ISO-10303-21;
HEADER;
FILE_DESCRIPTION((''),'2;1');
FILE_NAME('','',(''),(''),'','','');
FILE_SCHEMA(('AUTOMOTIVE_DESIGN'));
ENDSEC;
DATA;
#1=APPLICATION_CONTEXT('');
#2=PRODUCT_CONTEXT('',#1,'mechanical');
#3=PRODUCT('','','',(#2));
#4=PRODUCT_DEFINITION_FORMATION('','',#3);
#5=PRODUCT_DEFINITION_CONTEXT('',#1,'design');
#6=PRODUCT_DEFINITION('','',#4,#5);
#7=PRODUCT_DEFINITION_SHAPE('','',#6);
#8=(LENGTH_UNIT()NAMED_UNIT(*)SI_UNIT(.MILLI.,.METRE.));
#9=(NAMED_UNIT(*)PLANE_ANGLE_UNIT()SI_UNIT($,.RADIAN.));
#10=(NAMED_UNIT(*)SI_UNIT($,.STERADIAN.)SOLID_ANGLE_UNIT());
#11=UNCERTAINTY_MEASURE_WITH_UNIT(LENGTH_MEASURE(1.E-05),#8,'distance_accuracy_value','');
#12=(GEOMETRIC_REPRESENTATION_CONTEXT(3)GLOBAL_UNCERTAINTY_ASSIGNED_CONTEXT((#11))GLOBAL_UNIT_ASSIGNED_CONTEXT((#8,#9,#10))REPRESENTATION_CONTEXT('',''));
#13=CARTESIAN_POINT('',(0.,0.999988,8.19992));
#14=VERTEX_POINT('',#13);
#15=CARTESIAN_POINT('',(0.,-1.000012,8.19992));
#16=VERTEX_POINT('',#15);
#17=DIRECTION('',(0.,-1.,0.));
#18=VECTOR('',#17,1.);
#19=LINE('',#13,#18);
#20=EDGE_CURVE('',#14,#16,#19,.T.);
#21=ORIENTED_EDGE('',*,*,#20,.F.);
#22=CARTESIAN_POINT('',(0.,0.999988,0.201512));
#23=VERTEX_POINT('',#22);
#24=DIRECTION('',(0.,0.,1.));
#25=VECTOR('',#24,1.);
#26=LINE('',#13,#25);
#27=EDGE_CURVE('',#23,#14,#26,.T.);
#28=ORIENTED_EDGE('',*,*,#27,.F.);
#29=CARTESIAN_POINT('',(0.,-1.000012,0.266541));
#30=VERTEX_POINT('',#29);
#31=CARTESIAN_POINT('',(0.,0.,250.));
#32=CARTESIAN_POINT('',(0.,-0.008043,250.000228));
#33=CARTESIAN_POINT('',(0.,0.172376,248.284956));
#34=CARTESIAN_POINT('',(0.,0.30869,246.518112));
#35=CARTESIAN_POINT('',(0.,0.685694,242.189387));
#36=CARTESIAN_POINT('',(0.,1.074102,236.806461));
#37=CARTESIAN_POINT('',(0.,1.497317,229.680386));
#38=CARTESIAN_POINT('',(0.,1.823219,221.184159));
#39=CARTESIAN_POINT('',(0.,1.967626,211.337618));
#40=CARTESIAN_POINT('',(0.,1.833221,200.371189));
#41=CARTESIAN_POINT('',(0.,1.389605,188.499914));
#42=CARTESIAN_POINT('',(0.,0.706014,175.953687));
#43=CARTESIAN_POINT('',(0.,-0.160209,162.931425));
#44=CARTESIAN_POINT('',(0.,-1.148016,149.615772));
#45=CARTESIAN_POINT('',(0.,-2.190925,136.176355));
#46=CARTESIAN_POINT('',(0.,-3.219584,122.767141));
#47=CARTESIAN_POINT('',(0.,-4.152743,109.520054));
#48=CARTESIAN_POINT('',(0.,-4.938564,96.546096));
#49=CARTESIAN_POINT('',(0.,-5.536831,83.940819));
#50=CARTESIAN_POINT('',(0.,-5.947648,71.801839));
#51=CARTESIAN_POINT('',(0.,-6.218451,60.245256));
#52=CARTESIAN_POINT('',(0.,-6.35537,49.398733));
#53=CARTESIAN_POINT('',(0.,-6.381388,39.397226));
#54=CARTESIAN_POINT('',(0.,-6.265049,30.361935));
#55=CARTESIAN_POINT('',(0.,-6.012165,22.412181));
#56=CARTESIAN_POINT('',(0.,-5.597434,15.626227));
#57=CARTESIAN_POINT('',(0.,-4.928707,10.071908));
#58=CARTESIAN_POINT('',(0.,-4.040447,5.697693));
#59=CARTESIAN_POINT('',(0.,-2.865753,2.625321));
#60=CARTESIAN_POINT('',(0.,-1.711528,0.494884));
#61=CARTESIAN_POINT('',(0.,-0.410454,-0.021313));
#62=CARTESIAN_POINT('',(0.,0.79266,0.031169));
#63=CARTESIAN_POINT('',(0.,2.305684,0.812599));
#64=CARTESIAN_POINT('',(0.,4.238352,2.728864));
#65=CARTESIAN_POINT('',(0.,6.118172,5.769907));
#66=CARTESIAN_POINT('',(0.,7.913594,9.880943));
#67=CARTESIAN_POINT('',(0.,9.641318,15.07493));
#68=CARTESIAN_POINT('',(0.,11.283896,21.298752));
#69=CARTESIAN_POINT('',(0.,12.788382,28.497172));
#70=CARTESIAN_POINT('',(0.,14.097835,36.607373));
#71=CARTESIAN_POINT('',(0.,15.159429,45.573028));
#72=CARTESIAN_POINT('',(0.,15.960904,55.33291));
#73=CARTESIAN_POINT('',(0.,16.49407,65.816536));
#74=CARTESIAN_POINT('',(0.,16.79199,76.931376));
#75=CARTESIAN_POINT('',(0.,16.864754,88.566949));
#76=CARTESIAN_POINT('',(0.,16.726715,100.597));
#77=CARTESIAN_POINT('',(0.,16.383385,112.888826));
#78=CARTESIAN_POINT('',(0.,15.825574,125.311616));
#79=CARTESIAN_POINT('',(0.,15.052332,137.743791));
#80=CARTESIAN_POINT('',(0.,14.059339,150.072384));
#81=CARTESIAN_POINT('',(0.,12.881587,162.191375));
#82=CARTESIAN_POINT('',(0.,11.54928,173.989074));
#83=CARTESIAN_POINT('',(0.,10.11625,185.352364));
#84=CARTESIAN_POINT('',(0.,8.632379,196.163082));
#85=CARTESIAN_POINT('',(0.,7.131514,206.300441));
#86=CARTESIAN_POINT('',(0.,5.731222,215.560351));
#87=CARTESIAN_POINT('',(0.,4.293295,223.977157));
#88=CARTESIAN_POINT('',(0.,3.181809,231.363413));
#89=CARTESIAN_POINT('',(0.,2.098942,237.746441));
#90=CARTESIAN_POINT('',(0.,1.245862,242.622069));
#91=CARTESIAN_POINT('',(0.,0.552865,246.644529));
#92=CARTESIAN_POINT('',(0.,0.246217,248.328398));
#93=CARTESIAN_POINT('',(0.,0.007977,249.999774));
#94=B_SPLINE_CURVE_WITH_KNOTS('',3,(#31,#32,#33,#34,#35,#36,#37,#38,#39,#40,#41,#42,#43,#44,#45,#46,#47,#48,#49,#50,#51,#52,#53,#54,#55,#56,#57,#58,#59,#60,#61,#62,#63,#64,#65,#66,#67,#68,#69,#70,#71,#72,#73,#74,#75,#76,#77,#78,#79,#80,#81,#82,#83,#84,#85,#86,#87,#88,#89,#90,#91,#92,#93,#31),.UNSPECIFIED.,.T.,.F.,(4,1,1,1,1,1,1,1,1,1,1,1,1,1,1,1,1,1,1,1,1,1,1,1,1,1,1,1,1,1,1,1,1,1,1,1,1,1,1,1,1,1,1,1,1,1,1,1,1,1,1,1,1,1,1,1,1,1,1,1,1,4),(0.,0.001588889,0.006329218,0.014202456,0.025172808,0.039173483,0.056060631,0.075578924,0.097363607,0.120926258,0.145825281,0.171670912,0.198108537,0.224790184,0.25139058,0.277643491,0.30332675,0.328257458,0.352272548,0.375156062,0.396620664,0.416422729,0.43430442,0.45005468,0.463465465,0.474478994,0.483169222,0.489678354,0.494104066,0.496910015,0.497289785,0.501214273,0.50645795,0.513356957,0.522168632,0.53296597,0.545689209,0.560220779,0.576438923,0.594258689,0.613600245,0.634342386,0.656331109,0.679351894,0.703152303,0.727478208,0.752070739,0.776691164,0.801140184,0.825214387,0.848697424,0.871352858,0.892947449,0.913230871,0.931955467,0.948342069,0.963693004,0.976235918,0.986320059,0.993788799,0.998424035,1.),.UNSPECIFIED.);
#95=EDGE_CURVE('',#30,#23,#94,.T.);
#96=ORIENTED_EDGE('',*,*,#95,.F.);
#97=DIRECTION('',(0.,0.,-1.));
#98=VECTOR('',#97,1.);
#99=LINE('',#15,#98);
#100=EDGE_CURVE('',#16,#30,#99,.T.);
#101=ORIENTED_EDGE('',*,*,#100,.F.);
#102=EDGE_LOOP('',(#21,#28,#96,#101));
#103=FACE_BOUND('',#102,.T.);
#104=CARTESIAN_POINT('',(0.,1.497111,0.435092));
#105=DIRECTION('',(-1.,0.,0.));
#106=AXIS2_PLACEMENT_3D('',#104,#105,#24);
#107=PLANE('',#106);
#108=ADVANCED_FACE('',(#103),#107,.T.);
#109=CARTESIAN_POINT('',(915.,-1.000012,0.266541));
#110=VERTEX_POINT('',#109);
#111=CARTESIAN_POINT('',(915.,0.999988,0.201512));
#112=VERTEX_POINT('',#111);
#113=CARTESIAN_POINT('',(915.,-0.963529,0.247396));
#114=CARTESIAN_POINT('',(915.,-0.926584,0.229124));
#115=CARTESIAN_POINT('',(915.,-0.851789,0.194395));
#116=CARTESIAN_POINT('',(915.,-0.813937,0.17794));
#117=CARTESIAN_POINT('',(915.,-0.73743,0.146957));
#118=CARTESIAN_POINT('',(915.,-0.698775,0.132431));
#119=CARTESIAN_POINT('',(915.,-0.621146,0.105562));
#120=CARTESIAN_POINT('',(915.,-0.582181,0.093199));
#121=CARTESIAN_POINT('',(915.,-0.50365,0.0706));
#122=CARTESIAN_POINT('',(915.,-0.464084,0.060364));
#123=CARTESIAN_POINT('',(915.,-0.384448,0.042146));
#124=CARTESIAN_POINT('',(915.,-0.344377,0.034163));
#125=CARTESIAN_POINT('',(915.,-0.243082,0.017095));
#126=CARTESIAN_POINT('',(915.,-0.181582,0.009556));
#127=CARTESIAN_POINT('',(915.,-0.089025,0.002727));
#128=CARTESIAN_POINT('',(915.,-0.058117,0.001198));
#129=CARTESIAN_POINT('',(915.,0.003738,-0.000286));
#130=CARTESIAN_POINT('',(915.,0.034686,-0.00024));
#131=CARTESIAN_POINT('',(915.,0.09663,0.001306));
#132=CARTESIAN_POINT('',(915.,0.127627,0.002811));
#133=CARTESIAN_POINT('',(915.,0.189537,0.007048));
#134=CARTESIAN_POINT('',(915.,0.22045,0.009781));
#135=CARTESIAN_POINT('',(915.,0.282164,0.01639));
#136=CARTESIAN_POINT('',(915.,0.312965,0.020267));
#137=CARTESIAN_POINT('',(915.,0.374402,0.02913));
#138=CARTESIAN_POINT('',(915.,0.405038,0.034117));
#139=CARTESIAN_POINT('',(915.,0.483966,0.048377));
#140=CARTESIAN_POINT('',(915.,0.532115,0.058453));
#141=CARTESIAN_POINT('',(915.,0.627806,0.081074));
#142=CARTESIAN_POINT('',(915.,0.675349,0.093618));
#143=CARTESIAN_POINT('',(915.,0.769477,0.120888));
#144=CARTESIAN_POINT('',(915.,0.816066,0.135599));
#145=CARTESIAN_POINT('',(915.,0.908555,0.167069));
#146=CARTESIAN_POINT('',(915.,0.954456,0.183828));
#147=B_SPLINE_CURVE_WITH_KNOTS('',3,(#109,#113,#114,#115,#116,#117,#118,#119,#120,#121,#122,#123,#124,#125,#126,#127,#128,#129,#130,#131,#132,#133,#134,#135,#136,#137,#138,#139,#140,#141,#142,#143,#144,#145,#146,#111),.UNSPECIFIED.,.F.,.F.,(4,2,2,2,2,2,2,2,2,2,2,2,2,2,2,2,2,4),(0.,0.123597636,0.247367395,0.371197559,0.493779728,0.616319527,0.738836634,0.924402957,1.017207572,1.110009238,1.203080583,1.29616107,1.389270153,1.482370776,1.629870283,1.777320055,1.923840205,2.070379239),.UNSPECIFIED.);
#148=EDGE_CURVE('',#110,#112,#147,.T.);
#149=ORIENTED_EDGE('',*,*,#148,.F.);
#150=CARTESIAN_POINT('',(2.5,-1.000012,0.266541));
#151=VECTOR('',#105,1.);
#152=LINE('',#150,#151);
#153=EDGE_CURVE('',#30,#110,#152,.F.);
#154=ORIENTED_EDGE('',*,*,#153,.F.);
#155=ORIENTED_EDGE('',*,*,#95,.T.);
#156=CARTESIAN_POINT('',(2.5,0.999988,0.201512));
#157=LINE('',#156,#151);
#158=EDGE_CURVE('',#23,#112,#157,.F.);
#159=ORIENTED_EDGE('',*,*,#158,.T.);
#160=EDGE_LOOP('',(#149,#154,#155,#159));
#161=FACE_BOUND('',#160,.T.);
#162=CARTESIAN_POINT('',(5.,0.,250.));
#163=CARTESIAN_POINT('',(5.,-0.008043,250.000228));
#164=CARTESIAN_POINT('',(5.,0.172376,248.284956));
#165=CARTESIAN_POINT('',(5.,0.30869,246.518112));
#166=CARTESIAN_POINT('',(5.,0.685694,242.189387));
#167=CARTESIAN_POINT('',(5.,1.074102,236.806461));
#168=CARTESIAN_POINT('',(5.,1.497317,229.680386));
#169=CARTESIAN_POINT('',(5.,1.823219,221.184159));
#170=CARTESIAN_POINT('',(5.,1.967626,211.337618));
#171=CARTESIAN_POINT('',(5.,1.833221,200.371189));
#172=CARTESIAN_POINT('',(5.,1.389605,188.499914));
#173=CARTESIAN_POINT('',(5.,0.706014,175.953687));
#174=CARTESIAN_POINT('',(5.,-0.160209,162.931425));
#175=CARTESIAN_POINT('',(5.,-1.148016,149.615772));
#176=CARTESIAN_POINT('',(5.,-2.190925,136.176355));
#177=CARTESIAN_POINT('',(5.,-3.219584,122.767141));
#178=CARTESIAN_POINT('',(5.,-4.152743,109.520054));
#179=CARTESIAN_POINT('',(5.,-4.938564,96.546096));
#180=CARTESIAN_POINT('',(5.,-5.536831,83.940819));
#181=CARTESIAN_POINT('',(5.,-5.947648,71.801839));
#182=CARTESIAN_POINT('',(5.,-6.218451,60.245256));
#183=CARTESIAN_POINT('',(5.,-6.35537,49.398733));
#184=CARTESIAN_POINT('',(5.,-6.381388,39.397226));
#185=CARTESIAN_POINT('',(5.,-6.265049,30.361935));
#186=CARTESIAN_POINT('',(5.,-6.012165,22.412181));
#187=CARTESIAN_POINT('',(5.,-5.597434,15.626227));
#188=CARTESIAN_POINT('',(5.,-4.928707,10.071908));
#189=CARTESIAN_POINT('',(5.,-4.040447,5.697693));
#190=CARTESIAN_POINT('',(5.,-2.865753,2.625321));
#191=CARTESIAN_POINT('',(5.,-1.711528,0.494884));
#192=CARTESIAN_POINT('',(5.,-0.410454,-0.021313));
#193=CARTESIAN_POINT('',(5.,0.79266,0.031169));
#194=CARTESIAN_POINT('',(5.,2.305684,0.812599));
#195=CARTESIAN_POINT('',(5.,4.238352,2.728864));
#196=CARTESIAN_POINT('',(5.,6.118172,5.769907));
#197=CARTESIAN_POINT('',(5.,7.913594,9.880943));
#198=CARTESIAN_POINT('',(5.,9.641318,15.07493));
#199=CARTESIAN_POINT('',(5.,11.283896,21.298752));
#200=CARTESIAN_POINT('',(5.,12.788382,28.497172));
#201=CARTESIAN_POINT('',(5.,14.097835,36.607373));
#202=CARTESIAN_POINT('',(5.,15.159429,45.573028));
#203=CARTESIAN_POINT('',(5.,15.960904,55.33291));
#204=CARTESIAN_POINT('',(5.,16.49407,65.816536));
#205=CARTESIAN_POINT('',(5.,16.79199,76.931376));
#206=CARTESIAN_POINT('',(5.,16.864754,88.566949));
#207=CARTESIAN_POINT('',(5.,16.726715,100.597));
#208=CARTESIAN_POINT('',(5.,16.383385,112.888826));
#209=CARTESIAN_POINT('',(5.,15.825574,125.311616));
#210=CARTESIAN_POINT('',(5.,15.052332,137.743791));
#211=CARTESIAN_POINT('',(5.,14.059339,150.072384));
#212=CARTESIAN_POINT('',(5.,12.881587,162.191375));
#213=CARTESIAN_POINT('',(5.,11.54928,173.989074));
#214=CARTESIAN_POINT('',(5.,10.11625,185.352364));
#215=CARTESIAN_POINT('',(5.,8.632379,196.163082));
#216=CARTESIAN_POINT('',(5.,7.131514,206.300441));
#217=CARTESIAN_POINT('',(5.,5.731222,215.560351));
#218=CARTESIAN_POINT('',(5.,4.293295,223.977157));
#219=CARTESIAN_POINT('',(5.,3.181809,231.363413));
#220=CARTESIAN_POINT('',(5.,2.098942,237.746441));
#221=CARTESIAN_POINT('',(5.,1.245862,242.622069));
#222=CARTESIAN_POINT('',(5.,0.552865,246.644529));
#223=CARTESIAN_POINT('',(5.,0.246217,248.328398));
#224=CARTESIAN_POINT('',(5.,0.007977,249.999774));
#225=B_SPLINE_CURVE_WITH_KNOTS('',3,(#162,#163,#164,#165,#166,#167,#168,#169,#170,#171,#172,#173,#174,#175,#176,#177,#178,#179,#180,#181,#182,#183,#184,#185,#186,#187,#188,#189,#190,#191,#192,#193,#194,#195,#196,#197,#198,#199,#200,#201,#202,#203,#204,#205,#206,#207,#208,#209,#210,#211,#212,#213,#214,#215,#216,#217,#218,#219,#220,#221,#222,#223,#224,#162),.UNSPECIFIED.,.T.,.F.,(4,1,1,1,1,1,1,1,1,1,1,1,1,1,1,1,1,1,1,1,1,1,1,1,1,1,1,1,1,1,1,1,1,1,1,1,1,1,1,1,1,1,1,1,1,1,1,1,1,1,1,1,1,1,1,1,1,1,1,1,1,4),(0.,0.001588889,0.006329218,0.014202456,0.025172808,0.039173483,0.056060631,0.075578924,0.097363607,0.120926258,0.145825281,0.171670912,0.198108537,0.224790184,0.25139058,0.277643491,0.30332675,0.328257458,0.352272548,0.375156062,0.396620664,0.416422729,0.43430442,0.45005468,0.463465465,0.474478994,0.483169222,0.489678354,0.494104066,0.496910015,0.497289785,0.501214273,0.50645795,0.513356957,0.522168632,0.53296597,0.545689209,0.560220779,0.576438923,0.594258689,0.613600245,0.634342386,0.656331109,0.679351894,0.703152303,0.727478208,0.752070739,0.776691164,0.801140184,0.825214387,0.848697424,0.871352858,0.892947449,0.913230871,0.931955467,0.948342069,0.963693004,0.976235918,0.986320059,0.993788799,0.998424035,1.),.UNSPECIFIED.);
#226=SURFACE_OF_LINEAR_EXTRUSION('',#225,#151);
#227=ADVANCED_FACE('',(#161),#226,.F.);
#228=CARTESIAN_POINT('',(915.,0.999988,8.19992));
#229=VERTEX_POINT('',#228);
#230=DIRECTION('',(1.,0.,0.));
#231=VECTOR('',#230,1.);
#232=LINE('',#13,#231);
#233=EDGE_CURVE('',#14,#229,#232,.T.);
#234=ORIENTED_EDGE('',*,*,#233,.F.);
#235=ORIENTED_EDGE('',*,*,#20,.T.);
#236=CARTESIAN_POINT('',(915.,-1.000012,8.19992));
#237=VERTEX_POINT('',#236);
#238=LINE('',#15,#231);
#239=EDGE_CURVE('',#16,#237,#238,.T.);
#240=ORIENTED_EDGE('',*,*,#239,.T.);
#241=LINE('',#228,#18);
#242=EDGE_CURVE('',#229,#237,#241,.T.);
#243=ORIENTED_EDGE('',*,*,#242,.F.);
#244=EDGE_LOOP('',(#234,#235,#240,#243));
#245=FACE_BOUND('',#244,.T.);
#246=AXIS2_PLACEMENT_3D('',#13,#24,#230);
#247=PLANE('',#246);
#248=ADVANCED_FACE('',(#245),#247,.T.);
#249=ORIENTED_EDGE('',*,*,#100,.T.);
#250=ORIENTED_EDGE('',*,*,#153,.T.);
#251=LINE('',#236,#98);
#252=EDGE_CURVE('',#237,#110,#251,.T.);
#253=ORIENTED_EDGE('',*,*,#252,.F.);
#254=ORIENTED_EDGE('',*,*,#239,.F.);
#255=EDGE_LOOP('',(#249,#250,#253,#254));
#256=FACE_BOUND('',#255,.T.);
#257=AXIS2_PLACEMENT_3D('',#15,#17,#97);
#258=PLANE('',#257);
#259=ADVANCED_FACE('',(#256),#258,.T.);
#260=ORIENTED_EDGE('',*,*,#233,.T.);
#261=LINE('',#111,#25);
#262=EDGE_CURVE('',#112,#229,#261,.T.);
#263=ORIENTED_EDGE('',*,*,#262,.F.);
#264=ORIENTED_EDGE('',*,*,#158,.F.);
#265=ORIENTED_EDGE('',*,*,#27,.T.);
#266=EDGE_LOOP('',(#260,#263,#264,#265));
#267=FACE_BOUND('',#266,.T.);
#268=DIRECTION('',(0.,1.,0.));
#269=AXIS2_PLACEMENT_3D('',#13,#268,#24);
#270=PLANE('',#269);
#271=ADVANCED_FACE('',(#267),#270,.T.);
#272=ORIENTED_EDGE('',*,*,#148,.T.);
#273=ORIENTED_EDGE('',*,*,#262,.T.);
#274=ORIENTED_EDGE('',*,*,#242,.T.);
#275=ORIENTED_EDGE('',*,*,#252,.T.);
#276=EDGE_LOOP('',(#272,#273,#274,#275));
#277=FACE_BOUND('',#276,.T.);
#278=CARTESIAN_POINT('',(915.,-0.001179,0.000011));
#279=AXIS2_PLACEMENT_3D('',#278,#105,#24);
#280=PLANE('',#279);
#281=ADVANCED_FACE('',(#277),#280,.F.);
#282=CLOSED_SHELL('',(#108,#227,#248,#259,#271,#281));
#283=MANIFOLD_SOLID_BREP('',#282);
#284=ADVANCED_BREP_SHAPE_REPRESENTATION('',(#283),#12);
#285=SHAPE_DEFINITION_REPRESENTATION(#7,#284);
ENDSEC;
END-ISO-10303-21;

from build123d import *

# Parameters (mm, degrees)
SCHIZZO1_R                  = 8
SCHIZZO1_W                  = 15
SCHIZZO1_H                  = 10
CORPOCENTINA_DEPTH          = 5
RIMOZIONERETROCENTINA_DEPTH = 251.615874848
SCHIZZO3_W                  = 28.2
SCHIZZO3_H                  = 22
TAGLIOLISTELLO_DEPTH        = 14.677233346
ESTRUSIONELISTELLO_DEPTH    = 910


with BuildPart() as part:
    # Schizzo1 → CorpoCentina (new body)
    with BuildSketch(Plane(origin=(0, 0, 0), x_dir=(0, 0, -1), z_dir=(1, 0, 0))):
        with BuildLine():
            add(Edge.make_bspline(
                [(-250, 0), (-250.000228294, -0.008042796), (-248.284955516, 0.172375658), (-246.518112419, 0.308690015), (-242.189387343, 0.685693594), (-236.806461263, 1.074101529), (-229.680385952, 1.49731724), (-221.184158698, 1.823218603), (-211.337618208, 1.967626101), (-200.371188527, 1.833221056), (-188.499913622, 1.38960529), (-175.953687417, 0.706014078), (-162.931424918, -0.160208642), (-149.615771744, -1.148016327), (-136.176354995, -2.19092491), (-122.767140548, -3.219583979), (-109.520053587, -4.152743127), (-96.546095975, -4.938564365), (-83.940819302, -5.536830703), (-71.801839291, -5.947648205), (-60.245256003, -6.218450939), (-49.398732891, -6.355369756), (-39.397226194, -6.381387963), (-30.361934842, -6.26504923), (-22.412181103, -6.012164917), (-15.626227231, -5.597433901), (-10.071907511, -4.928706579), (-5.697692612, -4.040446981), (-2.625320639, -2.865752984), (-0.494884225, -1.71152847), (0.021312549, -0.410454231), (-0.0311692, 0.792659827), (-0.812599242, 2.305684337), (-2.728863517, 4.238352424), (-5.769907241, 6.118172121), (-9.880942804, 7.913594202), (-15.074930468, 9.641318178), (-21.298752222, 11.283896488), (-28.49717212, 12.788381759), (-36.607373406, 14.097834908), (-45.57302844, 15.159429017), (-55.332910074, 15.960903998), (-65.816536498, 16.494069738), (-76.93137626, 16.791989705), (-88.566949028, 16.864754131), (-100.596999886, 16.726715291), (-112.888825982, 16.383385064), (-125.311615819, 15.825573667), (-137.743791097, 15.05233187), (-150.072384382, 14.059339074), (-162.191375056, 12.881586986), (-173.989074322, 11.549280346), (-185.352364446, 10.116249729), (-196.163081698, 8.632379125), (-206.300441402, 7.131513884), (-215.560350587, 5.731221768), (-223.977157043, 4.293295127), (-231.363413336, 3.181808874), (-237.746440904, 2.098942417), (-242.622069366, 1.245861917), (-246.644529332, 0.552864946), (-248.32839844, 0.246216765), (-249.999773563, 0.007977377), (-250, 0)],
                knots=[0, 0, 0, 0, 0.001588889, 0.006329218, 0.014202456, 0.025172808, 0.039173483, 0.056060631, 0.075578924, 0.097363607, 0.120926258, 0.145825281, 0.171670912, 0.198108537, 0.224790184, 0.25139058, 0.277643491, 0.30332675, 0.328257458, 0.352272548, 0.375156062, 0.396620664, 0.416422729, 0.43430442, 0.45005468, 0.463465465, 0.474478994, 0.483169222, 0.489678354, 0.494104066, 0.496910015, 0.497289785, 0.501214273, 0.50645795, 0.513356957, 0.522168632, 0.53296597, 0.545689209, 0.560220779, 0.576438923, 0.594258689, 0.613600245, 0.634342386, 0.656331109, 0.679351894, 0.703152303, 0.727478208, 0.752070739, 0.776691164, 0.801140184, 0.825214387, 0.848697424, 0.871352858, 0.892947449, 0.913230871, 0.931955467, 0.948342069, 0.963693004, 0.976235918, 0.986320059, 0.993788799, 0.998424035, 1, 1, 1, 1], degree=3))
        make_face()
        with Locations((-62.499919709, 5.077322704)):
            Circle(SCHIZZO1_R, mode=Mode.SUBTRACT)
        with Locations((-85.999919709, 5.077322704)):
            Rectangle(SCHIZZO1_W, SCHIZZO1_H, mode=Mode.SUBTRACT)
    extrude(amount=CORPOCENTINA_DEPTH)

    # Schizzo2 → RimozioneRetroCentina (cut, through all)
    with BuildSketch(Plane.ZY):
        with BuildLine():
            Line((10, 7.878242661), (10, -4.848721342))
            add(Edge.make_bspline(
                [(10, -4.848721342), (11.738439481, -5.129194219), (15.73141108, -5.603862327), (22.412181103, -6.012164917), (30.361934842, -6.26504923), (39.397226194, -6.381387963), (49.398732891, -6.355369756), (60.245256003, -6.218450939), (71.801839291, -5.947648205), (83.940819302, -5.536830703), (96.546095975, -4.938564365), (109.520053587, -4.152743127), (122.767140548, -3.219583979), (136.176354995, -2.19092491), (149.615771744, -1.148016327), (162.931424918, -0.160208642), (175.953687417, 0.706014078), (188.499913622, 1.38960529), (200.371188527, 1.833221056), (211.337618208, 1.967626101), (221.184158698, 1.823218603), (229.680385952, 1.49731724), (236.806461263, 1.074101529), (242.189387343, 0.685693594), (246.518112419, 0.308690015), (248.284955516, 0.172375658), (250.427328458, -0.052966701), (248.32839844, 0.246216765), (246.644529332, 0.552864946), (242.622069366, 1.245861917), (237.746440904, 2.098942417), (231.363413336, 3.181808874), (223.977157043, 4.293295127), (215.560350587, 5.731221768), (206.300441402, 7.131513884), (196.163081698, 8.632379125), (185.352364446, 10.116249729), (173.989074322, 11.549280346), (162.191375056, 12.881586986), (150.072384382, 14.059339074), (137.743791097, 15.05233187), (125.311615819, 15.825573667), (112.888825982, 16.383385064), (100.596999886, 16.726715291), (88.566949028, 16.864754131), (76.93137626, 16.791989705), (65.816536498, 16.494069738), (55.332910074, 15.960903998), (45.57302844, 15.159429017), (36.607373406, 14.097834908), (28.49717212, 12.788381759), (21.298752222, 11.283896488), (15.214838321, 9.678242373), (11.571404485, 8.475558385), (10, 7.878242661)],
                knots=[0.526143721, 0.526143721, 0.526143721, 0.526143721, 0.536534535, 0.54994532, 0.56569558, 0.583577271, 0.603379336, 0.624843938, 0.647727452, 0.671742542, 0.69667325, 0.722356509, 0.74860942, 0.775209816, 0.801891463, 0.828329088, 0.854174719, 0.879073742, 0.902636393, 0.924421076, 0.943939369, 0.960826517, 0.974827192, 0.985797544, 0.993670782, 0.998411111, 1, 1.001575965, 1.006211201, 1.013679941, 1.023764082, 1.036306996, 1.051657931, 1.068044533, 1.086769129, 1.107052551, 1.128647142, 1.151302576, 1.174785613, 1.198859816, 1.223308836, 1.247929261, 1.272521792, 1.296847697, 1.320648106, 1.343668891, 1.365657614, 1.386399755, 1.405741311, 1.423561077, 1.439779221, 1.454310791, 1.46703403, 1.476975978, 1.476975978, 1.476975978, 1.476975978], degree=3))
        make_face()
    extrude(amount=-RIMOZIONERETROCENTINA_DEPTH, mode=Mode.SUBTRACT)

    # Schizzo3 → TaglioListello (cut, through all)
    with BuildSketch(Plane(origin=(5, 0, 0), x_dir=(0, 0, -1), z_dir=(1, 0, 0))):
        with Locations((-4.099919705, -1.2163e-05)):
            Rectangle(SCHIZZO3_W, SCHIZZO3_H)
        with BuildLine():
            Line((-8.199919705, 0.999987837), (-8.199919705, -1.000012163))
            Line((-8.199919705, -1.000012163), (-0.266541428, -1.000012163))
            add(Edge.make_bspline(
                [(-0.266541428, -1.000012163), (-0.103493894, -0.689338227), (0.015569485, -0.278797762), (-0.014332603, 0.406690484), (-0.10008233, 0.738824912), (-0.201511969, 0.999987837)],
                knots=[0.494882134, 0.494882134, 0.494882134, 0.494882134, 0.496910015, 0.497289785, 0.498933258, 0.498933258, 0.498933258, 0.498933258], degree=3))
            Line((-0.201511969, 0.999987837), (-8.199919705, 0.999987837))
        make_face(mode=Mode.SUBTRACT)
    extrude(amount=-TAGLIOLISTELLO_DEPTH, mode=Mode.SUBTRACT)

    # Schizzo4 → EstrusioneListello (add)
    with BuildSketch(Plane(origin=(5, 0, 0), x_dir=(0, 0, -1), z_dir=(1, 0, 0))):
        with BuildLine():
            Line((-8.199919705, -1.000012163), (-0.266541428, -1.000012163))
            add(Edge.make_bspline(
                [(-0.266541428, -1.000012163), (-0.103493894, -0.689338227), (0.015569485, -0.278797762), (-0.014332603, 0.406690484), (-0.10008233, 0.738824912), (-0.201511969, 0.999987837)],
                knots=[0.494882134, 0.494882134, 0.494882134, 0.494882134, 0.496910015, 0.497289785, 0.498933258, 0.498933258, 0.498933258, 0.498933258], degree=3))
            Line((-0.201511969, 0.999987837), (-8.199919705, 0.999987837))
            Line((-8.199919705, 0.999987837), (-8.199919705, -1.000012163))
        make_face()
    extrude(amount=ESTRUSIONELISTELLO_DEPTH)


solid = part.part
